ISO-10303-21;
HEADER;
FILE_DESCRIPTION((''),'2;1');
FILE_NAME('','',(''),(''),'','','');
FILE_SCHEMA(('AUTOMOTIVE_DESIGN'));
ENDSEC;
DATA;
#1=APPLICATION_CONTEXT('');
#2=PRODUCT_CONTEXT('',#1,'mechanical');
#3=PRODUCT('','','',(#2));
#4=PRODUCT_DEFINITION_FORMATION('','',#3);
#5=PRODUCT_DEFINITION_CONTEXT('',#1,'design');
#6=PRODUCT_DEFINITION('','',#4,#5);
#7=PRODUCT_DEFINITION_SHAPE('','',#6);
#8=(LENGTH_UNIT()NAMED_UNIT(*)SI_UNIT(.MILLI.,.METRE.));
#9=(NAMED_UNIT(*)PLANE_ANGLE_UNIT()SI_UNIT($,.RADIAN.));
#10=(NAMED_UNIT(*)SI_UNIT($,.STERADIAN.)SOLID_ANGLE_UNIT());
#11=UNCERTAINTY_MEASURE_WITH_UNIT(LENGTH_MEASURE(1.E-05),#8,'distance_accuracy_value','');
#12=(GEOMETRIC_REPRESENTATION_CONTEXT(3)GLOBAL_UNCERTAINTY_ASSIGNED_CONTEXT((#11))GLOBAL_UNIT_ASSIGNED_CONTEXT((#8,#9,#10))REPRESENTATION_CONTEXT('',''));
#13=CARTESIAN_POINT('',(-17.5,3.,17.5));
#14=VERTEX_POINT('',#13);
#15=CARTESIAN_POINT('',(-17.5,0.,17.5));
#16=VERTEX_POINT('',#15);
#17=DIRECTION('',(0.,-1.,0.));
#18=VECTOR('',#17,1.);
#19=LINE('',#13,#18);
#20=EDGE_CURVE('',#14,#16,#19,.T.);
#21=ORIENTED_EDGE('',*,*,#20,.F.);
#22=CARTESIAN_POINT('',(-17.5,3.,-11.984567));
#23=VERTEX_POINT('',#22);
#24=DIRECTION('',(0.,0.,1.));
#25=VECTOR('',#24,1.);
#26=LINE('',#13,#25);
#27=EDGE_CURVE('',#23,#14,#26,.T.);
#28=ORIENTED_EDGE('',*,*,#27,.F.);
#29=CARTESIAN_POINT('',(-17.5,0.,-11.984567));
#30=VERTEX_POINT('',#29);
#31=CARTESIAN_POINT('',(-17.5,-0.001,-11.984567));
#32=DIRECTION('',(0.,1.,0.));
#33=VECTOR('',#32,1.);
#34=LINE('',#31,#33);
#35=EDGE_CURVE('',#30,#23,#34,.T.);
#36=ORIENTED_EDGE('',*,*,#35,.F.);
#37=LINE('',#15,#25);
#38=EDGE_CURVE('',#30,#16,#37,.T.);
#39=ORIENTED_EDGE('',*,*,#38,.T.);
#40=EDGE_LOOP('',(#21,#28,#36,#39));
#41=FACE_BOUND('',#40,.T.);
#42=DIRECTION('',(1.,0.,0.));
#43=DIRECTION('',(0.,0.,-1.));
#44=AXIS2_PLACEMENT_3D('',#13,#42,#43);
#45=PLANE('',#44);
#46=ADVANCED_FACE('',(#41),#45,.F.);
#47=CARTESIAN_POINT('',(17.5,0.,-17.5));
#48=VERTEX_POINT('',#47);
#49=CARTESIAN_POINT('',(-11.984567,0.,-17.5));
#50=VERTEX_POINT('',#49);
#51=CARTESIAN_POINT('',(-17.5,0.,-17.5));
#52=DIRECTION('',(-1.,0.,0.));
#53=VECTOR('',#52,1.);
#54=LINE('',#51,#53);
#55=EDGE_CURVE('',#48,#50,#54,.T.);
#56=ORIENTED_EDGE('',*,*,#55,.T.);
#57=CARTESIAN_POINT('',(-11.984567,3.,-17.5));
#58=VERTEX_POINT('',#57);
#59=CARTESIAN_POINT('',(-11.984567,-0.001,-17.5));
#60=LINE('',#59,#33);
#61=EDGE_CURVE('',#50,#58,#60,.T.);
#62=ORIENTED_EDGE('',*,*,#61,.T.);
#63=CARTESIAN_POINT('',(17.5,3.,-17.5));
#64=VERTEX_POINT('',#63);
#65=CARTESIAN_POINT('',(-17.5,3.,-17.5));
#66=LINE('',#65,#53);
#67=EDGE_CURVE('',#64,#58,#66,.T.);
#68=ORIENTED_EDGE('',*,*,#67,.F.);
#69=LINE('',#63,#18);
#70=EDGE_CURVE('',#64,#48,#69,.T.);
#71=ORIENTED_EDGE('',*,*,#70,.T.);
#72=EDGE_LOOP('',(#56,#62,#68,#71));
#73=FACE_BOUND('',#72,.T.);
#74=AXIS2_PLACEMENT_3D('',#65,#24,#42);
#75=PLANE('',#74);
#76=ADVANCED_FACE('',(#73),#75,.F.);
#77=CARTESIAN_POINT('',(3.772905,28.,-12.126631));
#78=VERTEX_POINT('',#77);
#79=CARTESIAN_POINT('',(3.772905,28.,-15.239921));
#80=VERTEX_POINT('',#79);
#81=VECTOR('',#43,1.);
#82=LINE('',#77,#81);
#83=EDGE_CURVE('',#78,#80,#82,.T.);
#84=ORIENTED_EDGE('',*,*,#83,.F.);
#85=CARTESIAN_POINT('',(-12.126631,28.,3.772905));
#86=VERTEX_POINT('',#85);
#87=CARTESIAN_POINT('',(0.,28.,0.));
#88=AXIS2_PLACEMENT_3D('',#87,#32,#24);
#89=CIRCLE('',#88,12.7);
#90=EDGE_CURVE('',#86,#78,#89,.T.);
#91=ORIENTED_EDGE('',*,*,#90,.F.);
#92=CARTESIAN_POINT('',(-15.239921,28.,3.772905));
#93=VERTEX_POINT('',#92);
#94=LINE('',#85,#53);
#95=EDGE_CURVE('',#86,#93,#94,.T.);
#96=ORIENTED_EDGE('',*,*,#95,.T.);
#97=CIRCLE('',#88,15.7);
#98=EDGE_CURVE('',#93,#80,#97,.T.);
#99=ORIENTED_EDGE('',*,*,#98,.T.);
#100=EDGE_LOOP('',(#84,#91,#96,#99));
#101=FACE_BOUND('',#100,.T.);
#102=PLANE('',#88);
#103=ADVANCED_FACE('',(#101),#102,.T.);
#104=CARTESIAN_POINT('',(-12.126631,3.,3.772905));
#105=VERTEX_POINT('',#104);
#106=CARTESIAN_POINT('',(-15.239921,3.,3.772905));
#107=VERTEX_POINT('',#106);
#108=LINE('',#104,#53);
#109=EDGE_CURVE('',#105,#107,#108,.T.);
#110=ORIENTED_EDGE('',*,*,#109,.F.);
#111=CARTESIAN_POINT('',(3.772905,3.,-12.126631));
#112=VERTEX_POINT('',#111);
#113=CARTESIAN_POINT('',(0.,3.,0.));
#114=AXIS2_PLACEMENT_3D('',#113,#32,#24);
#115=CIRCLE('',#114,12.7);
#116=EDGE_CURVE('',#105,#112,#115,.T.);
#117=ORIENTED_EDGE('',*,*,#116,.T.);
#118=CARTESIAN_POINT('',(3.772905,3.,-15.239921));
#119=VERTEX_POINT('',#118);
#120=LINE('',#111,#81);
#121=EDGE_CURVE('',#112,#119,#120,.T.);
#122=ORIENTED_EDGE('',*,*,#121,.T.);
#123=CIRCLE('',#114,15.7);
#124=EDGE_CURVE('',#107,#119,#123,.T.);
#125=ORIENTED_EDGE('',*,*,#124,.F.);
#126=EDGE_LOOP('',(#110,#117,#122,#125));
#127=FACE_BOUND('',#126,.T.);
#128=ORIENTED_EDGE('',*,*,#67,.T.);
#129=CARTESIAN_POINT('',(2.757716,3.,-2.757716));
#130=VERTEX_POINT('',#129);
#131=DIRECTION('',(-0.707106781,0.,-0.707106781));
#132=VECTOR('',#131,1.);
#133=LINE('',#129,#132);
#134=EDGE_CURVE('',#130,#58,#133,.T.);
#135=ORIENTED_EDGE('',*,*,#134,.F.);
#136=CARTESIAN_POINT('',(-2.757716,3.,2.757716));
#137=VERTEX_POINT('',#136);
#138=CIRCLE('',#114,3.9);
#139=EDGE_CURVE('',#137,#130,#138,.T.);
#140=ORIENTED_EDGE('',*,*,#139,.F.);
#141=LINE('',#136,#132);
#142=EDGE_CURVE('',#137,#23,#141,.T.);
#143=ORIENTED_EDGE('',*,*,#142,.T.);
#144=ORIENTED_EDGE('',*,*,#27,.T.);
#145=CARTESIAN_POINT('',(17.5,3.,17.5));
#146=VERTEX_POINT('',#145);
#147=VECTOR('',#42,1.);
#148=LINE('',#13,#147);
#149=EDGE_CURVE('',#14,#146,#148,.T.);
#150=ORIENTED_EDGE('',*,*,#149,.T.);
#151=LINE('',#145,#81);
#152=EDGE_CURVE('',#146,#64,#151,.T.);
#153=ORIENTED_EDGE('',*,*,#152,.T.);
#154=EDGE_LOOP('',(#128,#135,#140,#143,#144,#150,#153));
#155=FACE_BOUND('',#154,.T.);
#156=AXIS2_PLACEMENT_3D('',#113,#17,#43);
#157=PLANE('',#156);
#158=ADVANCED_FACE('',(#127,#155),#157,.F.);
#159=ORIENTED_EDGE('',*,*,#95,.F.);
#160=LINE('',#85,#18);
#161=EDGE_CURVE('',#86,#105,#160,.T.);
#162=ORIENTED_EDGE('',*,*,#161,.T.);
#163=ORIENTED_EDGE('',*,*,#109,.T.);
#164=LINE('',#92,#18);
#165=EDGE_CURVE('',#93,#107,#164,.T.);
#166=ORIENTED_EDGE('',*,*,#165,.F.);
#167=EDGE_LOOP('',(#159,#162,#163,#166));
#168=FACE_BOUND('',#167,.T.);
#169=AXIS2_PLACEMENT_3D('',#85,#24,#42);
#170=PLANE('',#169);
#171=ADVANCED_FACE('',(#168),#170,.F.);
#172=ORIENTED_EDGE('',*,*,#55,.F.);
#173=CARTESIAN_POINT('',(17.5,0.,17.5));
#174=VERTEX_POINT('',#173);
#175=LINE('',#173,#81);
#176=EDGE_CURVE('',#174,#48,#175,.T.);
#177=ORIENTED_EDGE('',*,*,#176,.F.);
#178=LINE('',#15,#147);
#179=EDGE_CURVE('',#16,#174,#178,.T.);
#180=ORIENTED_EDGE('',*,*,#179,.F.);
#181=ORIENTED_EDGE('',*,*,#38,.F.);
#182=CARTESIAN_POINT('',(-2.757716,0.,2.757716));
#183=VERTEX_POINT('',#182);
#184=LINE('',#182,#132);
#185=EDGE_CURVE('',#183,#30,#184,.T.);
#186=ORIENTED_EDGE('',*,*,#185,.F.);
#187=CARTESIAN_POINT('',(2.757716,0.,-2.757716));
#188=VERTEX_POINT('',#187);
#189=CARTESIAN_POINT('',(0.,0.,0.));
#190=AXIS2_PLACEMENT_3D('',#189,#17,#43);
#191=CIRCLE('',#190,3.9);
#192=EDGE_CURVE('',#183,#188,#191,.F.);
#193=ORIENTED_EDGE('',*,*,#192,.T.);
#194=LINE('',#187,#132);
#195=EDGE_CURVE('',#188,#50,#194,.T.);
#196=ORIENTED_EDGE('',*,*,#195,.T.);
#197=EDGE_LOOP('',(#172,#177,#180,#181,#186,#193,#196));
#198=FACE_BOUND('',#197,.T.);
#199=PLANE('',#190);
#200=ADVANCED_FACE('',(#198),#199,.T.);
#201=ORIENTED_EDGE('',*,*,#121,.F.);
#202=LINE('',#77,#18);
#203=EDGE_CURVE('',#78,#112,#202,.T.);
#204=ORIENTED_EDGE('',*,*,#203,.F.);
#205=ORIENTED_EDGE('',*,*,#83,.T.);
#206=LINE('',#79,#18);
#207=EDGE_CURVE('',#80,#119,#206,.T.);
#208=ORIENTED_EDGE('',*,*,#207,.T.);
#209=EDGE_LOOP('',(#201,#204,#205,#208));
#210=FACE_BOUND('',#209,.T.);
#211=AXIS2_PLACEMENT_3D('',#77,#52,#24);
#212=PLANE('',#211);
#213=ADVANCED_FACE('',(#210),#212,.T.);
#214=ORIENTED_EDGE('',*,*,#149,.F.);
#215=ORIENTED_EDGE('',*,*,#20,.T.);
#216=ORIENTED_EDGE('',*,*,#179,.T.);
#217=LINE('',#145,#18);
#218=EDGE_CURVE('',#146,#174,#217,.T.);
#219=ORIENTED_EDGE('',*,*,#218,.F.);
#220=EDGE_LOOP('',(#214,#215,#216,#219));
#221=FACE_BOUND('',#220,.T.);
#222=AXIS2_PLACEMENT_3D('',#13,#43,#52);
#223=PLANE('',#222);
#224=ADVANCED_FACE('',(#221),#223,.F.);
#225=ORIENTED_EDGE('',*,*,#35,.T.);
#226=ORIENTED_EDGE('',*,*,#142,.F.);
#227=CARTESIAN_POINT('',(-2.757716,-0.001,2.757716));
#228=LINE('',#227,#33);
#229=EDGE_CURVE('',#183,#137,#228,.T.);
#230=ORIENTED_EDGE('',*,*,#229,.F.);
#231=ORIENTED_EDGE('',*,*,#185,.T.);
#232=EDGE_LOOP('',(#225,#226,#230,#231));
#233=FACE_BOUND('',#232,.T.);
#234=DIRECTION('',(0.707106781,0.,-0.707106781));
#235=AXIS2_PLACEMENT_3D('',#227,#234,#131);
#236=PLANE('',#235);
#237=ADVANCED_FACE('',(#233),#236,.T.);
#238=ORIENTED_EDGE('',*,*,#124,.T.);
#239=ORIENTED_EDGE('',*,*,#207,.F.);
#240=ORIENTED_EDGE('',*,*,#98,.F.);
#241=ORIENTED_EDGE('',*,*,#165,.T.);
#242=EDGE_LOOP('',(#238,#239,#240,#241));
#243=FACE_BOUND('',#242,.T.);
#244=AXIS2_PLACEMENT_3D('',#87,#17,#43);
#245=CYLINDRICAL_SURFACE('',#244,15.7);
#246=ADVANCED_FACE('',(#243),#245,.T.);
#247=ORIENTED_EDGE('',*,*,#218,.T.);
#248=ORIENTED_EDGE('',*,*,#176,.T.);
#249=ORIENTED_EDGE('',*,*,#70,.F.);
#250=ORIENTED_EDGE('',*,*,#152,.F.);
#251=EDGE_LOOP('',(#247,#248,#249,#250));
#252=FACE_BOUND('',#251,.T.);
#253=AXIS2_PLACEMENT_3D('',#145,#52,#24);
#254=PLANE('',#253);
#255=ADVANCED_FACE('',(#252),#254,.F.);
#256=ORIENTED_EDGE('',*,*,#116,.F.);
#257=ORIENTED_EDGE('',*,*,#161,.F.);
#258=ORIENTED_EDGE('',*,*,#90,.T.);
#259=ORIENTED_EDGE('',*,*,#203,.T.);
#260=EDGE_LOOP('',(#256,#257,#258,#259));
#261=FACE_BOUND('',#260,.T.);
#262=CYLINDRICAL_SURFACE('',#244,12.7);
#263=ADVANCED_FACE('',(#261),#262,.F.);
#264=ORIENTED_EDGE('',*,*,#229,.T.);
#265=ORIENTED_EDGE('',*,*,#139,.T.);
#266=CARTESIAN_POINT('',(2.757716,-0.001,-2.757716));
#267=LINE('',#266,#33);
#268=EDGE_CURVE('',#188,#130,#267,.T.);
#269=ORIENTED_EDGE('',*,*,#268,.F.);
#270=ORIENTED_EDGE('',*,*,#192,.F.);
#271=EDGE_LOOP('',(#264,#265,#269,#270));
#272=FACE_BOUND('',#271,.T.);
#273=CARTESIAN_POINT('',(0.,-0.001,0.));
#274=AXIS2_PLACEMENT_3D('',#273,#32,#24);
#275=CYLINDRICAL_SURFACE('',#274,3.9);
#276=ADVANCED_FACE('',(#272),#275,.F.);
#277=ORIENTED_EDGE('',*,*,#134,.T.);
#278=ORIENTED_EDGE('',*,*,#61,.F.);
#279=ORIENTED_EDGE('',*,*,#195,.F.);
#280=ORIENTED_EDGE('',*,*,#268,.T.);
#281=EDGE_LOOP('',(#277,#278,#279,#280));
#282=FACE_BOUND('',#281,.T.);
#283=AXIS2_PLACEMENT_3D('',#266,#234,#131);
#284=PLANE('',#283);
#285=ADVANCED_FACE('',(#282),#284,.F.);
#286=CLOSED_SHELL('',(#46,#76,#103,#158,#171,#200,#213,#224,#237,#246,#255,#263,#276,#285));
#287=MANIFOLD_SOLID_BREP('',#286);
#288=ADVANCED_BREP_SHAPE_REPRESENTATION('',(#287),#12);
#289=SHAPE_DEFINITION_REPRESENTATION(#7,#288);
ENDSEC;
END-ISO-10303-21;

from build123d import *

# Parameters (mm, degrees)
SKETCH1_W           = 35
SKETCH1_H           = 35
BOSS_EXTRUDE1_DEPTH = 3
BOSS_EXTRUDE2_DEPTH = 25
CUT_EXTRUDE1_REACH  = 37.178


with BuildPart() as part:
    # Sketch1 → Boss-Extrude1 (new body)
    with BuildSketch(Plane(origin=(0, 0, 0), x_dir=(1, 0, 0), z_dir=(0, 1, 0))):
        Rectangle(SKETCH1_W, SKETCH1_H)
    extrude(amount=BOSS_EXTRUDE1_DEPTH)

    # Sketch2 → Boss-Extrude2 (add)
    with BuildSketch(Plane(origin=(0, 3, 0), x_dir=(1, 0, 0), z_dir=(0, 1, 0))):
        with BuildLine():
            Line((3.77290479, 12.126631414), (3.77290479, 15.239920913))
            ThreePointArc((3.77290479, 15.239920913), (11.101576465, -11.101576465), (-15.239920913, -3.77290479))
            Line((-15.239920913, -3.77290479), (-12.126631414, -3.77290479))
            ThreePointArc((-12.126631414, -3.77290479), (8.980256121, -8.980256121), (3.77290479, 12.126631414))
        make_face()
    extrude(amount=BOSS_EXTRUDE2_DEPTH)

    # Sketch3 → Cut-Extrude1 (cut, up to next)
    with BuildSketch(Plane(origin=(0, 3, 0), x_dir=(1, 0, 0), z_dir=(0, 1, 0)), mode=Mode.PRIVATE) as cut_extrude1_sk1:
        with BuildLine():
            Line((2.757716447, 2.757716447), (-11.984567107, 17.5))
            Line((-11.984567107, 17.5), (-17.5, 17.5))
            Line((-17.5, 17.5), (-17.5, 11.984567107))
            Line((-17.5, 11.984567107), (-2.757716447, -2.757716447))
            ThreePointArc((-2.757716447, -2.757716447), (2.757716447, -2.757716447), (2.757716447, 2.757716447))
        make_face()
    cut_extrude1_tool1 = extrude(cut_extrude1_sk1.sketch, amount=-CUT_EXTRUDE1_REACH, mode=Mode.PRIVATE) & part.part
    add(cut_extrude1_tool1.solids().sort_by_distance((-6.984587, 3, -6.984587))[0], mode=Mode.SUBTRACT)


solid = part.part
